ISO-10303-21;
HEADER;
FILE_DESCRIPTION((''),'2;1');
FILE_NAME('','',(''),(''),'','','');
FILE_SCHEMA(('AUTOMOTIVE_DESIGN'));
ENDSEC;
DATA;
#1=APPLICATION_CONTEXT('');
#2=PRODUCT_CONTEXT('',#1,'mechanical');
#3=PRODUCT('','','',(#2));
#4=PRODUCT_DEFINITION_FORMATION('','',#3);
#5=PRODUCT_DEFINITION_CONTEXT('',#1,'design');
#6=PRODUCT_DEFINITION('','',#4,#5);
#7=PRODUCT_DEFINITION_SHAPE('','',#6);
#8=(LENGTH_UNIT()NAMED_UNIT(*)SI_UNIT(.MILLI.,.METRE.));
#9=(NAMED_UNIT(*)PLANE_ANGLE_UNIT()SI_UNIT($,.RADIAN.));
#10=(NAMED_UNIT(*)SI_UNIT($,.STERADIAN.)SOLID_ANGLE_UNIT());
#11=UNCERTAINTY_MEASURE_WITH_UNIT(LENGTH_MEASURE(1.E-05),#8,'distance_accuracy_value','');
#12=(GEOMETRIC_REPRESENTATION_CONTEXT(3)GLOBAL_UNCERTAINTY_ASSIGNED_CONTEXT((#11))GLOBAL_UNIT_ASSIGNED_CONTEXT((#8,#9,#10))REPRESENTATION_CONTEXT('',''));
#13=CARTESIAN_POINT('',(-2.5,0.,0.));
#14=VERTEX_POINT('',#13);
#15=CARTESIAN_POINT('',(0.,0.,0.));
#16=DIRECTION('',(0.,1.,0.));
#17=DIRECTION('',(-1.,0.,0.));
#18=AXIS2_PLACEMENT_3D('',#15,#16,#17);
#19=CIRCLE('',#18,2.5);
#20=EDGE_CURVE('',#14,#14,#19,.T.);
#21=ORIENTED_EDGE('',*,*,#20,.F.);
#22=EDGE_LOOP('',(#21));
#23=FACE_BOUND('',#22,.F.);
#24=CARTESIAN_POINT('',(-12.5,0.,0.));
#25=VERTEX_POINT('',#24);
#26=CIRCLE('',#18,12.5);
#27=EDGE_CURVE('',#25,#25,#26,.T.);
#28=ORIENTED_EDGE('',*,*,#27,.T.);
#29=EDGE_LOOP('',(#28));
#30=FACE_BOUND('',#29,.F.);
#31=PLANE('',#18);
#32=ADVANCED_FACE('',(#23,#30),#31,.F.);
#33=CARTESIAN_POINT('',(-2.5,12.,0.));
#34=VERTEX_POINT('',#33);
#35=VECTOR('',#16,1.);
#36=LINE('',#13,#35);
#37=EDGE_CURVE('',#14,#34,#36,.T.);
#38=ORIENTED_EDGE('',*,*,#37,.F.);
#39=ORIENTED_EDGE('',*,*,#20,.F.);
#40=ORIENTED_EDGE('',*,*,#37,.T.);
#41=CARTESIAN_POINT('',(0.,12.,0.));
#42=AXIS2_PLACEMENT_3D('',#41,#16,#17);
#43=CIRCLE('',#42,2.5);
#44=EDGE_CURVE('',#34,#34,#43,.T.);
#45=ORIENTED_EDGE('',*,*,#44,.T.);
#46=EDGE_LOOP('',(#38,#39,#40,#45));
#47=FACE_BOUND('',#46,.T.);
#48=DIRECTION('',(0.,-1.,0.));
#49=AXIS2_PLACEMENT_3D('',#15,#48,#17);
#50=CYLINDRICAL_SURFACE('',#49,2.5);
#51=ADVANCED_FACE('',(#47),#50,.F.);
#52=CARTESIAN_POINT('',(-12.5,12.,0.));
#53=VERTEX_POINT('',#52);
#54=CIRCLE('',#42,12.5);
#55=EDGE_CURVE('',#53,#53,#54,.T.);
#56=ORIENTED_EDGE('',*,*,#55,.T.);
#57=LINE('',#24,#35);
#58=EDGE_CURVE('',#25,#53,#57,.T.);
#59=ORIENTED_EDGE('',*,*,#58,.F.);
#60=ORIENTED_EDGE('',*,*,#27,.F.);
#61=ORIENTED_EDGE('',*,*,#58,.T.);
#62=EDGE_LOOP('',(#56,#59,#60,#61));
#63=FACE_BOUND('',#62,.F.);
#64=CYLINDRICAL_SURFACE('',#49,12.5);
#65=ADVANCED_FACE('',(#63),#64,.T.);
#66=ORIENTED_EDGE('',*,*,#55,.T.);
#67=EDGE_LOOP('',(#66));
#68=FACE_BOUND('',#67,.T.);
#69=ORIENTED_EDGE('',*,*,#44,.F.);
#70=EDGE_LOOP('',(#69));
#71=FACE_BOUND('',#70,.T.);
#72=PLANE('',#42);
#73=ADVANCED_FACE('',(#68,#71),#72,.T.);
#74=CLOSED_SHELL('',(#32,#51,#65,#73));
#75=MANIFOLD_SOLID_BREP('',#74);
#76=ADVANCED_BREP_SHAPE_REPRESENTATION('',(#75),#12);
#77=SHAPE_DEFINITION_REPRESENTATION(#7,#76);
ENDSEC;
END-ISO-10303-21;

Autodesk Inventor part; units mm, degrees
ref_plane "YZ Plane" through (0, 0, 0) normal (1, 0, 0) x (0, 1, 0)
ref_plane "XZ Plane" through (0, 0, 0) normal (0, 1, 0) x (-1, 0, 0)
ref_plane "XY Plane" through (0, 0, 0) normal (0, 0, 1) x (1, 0, 0)
sketch "Sketch1" plane through (0, 0, 0) normal (0, 1, 0) x (-1, 0, 0)
  circle A0 centre (0, 0) radius 12.5
  circle A1 centre (0, 0) radius 2.5
  dimension "d0" = 25
  dimension "d1" = 5
extrude "Extrusion1" add sketch "Sketch1" along normal blind 12
properties part number "FP Wheel (2)"
